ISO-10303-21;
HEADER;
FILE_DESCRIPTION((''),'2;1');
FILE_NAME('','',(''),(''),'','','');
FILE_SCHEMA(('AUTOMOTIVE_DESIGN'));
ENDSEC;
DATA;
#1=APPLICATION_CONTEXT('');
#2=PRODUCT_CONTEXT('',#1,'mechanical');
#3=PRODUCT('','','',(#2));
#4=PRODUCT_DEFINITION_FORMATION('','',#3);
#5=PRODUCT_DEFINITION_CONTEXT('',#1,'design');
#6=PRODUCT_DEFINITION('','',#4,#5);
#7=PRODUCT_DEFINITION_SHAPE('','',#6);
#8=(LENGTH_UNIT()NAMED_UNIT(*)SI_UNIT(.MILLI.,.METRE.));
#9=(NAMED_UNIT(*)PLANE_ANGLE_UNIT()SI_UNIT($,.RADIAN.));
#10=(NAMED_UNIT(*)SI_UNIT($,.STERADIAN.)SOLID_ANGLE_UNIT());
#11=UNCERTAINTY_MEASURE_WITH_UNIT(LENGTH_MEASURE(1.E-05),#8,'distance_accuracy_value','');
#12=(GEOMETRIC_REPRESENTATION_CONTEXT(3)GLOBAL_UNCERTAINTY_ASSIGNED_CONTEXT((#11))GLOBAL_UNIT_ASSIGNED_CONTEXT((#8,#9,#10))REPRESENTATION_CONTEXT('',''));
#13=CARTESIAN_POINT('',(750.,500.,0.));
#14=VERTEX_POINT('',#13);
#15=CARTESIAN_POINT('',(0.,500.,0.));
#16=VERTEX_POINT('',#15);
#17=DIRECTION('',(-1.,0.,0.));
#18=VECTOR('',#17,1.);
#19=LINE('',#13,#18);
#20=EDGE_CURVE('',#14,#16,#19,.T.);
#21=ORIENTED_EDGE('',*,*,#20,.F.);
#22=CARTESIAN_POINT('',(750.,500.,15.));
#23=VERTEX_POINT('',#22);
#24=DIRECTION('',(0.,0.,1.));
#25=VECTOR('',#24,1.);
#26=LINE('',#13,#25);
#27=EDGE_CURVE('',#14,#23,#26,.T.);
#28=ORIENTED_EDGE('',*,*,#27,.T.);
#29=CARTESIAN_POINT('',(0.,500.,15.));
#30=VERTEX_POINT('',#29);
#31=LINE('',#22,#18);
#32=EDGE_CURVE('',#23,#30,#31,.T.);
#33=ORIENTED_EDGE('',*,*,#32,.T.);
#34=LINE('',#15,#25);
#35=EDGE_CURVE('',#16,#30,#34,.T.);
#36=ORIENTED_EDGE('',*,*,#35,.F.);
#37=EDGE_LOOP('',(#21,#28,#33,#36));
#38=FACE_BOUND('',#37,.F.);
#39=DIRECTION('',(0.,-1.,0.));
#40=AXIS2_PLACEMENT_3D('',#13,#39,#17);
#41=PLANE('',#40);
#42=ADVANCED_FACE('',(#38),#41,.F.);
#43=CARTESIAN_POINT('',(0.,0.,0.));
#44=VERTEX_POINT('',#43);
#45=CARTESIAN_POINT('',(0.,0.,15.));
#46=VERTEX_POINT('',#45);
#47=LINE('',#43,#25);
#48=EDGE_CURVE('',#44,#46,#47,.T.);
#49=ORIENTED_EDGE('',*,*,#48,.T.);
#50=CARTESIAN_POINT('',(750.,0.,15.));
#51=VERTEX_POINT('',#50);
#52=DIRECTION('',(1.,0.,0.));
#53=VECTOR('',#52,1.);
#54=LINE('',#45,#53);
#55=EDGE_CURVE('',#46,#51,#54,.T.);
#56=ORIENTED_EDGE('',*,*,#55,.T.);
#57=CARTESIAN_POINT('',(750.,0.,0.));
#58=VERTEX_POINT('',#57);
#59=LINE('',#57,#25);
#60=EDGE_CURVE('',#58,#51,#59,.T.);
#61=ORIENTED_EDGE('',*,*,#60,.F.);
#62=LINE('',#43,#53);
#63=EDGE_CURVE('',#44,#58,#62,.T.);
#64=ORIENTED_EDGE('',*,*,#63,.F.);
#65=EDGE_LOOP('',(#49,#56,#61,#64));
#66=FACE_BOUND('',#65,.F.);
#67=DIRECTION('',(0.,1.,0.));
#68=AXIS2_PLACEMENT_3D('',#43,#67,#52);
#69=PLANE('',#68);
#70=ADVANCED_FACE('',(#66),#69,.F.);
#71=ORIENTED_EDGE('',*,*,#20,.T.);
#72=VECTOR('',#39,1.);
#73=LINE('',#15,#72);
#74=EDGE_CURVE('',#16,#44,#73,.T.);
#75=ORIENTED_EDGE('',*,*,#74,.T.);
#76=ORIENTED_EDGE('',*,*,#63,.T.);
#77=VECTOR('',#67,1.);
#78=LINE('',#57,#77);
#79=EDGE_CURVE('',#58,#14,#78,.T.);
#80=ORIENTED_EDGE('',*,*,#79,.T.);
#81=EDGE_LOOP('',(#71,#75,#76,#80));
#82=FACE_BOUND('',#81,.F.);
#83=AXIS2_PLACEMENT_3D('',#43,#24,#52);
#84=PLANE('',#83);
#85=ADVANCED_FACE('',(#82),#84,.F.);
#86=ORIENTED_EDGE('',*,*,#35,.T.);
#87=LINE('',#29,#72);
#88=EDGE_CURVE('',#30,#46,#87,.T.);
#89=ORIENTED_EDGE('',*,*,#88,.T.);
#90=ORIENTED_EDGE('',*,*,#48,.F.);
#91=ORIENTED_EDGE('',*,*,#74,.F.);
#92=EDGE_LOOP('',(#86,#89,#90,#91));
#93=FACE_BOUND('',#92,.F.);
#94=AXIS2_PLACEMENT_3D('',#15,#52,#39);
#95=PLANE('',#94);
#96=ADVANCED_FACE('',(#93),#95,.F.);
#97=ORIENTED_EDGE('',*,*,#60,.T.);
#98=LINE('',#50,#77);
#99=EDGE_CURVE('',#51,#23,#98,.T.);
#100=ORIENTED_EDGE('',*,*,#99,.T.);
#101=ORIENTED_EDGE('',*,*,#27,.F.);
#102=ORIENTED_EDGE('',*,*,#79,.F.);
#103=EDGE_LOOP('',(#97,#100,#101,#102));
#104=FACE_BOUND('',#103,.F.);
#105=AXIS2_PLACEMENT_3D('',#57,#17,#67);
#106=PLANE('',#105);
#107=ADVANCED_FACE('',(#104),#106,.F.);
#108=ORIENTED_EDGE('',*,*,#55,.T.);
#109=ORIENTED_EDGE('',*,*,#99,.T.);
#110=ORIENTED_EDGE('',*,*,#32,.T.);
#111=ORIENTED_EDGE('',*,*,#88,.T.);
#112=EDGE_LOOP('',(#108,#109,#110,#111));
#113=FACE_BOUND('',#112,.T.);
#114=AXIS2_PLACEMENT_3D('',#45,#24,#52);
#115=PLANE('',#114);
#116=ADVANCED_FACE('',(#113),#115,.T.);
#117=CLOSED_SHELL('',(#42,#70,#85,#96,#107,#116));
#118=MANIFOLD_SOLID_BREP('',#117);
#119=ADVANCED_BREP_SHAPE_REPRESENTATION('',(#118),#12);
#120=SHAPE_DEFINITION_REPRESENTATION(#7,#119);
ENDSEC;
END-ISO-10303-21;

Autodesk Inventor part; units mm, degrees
ref_plane "YZ Plane" through (0, 0, 0) normal (1, 0, 0) x (0, 1, 0)
ref_plane "XZ Plane" through (0, 0, 0) normal (0, 1, 0) x (-1, 0, 0)
ref_plane "XY Plane" through (0, 0, 0) normal (0, 0, 1) x (1, 0, 0)
sketch "Sketch1" plane through (0, 0, 0) normal (0, 0, 1) x (1, 0, 0)
  point P0 (0, 0)
sketch "Sketch2" plane through (0, 0, 0) normal (0, 0, 1) x (1, 0, 0)
  line L0 (0, 0) -> (750, 0)
  line L1 (750, 0) -> (750, 500)
  line L2 (750, 500) -> (0, 500)
  line L3 (0, 500) -> (0, 0)
  dimension "d0" = 750
  dimension "d1" = 500
extrude "Extrusion1" add sketch "Sketch2" along normal blind 15
properties part number "Front C1"
